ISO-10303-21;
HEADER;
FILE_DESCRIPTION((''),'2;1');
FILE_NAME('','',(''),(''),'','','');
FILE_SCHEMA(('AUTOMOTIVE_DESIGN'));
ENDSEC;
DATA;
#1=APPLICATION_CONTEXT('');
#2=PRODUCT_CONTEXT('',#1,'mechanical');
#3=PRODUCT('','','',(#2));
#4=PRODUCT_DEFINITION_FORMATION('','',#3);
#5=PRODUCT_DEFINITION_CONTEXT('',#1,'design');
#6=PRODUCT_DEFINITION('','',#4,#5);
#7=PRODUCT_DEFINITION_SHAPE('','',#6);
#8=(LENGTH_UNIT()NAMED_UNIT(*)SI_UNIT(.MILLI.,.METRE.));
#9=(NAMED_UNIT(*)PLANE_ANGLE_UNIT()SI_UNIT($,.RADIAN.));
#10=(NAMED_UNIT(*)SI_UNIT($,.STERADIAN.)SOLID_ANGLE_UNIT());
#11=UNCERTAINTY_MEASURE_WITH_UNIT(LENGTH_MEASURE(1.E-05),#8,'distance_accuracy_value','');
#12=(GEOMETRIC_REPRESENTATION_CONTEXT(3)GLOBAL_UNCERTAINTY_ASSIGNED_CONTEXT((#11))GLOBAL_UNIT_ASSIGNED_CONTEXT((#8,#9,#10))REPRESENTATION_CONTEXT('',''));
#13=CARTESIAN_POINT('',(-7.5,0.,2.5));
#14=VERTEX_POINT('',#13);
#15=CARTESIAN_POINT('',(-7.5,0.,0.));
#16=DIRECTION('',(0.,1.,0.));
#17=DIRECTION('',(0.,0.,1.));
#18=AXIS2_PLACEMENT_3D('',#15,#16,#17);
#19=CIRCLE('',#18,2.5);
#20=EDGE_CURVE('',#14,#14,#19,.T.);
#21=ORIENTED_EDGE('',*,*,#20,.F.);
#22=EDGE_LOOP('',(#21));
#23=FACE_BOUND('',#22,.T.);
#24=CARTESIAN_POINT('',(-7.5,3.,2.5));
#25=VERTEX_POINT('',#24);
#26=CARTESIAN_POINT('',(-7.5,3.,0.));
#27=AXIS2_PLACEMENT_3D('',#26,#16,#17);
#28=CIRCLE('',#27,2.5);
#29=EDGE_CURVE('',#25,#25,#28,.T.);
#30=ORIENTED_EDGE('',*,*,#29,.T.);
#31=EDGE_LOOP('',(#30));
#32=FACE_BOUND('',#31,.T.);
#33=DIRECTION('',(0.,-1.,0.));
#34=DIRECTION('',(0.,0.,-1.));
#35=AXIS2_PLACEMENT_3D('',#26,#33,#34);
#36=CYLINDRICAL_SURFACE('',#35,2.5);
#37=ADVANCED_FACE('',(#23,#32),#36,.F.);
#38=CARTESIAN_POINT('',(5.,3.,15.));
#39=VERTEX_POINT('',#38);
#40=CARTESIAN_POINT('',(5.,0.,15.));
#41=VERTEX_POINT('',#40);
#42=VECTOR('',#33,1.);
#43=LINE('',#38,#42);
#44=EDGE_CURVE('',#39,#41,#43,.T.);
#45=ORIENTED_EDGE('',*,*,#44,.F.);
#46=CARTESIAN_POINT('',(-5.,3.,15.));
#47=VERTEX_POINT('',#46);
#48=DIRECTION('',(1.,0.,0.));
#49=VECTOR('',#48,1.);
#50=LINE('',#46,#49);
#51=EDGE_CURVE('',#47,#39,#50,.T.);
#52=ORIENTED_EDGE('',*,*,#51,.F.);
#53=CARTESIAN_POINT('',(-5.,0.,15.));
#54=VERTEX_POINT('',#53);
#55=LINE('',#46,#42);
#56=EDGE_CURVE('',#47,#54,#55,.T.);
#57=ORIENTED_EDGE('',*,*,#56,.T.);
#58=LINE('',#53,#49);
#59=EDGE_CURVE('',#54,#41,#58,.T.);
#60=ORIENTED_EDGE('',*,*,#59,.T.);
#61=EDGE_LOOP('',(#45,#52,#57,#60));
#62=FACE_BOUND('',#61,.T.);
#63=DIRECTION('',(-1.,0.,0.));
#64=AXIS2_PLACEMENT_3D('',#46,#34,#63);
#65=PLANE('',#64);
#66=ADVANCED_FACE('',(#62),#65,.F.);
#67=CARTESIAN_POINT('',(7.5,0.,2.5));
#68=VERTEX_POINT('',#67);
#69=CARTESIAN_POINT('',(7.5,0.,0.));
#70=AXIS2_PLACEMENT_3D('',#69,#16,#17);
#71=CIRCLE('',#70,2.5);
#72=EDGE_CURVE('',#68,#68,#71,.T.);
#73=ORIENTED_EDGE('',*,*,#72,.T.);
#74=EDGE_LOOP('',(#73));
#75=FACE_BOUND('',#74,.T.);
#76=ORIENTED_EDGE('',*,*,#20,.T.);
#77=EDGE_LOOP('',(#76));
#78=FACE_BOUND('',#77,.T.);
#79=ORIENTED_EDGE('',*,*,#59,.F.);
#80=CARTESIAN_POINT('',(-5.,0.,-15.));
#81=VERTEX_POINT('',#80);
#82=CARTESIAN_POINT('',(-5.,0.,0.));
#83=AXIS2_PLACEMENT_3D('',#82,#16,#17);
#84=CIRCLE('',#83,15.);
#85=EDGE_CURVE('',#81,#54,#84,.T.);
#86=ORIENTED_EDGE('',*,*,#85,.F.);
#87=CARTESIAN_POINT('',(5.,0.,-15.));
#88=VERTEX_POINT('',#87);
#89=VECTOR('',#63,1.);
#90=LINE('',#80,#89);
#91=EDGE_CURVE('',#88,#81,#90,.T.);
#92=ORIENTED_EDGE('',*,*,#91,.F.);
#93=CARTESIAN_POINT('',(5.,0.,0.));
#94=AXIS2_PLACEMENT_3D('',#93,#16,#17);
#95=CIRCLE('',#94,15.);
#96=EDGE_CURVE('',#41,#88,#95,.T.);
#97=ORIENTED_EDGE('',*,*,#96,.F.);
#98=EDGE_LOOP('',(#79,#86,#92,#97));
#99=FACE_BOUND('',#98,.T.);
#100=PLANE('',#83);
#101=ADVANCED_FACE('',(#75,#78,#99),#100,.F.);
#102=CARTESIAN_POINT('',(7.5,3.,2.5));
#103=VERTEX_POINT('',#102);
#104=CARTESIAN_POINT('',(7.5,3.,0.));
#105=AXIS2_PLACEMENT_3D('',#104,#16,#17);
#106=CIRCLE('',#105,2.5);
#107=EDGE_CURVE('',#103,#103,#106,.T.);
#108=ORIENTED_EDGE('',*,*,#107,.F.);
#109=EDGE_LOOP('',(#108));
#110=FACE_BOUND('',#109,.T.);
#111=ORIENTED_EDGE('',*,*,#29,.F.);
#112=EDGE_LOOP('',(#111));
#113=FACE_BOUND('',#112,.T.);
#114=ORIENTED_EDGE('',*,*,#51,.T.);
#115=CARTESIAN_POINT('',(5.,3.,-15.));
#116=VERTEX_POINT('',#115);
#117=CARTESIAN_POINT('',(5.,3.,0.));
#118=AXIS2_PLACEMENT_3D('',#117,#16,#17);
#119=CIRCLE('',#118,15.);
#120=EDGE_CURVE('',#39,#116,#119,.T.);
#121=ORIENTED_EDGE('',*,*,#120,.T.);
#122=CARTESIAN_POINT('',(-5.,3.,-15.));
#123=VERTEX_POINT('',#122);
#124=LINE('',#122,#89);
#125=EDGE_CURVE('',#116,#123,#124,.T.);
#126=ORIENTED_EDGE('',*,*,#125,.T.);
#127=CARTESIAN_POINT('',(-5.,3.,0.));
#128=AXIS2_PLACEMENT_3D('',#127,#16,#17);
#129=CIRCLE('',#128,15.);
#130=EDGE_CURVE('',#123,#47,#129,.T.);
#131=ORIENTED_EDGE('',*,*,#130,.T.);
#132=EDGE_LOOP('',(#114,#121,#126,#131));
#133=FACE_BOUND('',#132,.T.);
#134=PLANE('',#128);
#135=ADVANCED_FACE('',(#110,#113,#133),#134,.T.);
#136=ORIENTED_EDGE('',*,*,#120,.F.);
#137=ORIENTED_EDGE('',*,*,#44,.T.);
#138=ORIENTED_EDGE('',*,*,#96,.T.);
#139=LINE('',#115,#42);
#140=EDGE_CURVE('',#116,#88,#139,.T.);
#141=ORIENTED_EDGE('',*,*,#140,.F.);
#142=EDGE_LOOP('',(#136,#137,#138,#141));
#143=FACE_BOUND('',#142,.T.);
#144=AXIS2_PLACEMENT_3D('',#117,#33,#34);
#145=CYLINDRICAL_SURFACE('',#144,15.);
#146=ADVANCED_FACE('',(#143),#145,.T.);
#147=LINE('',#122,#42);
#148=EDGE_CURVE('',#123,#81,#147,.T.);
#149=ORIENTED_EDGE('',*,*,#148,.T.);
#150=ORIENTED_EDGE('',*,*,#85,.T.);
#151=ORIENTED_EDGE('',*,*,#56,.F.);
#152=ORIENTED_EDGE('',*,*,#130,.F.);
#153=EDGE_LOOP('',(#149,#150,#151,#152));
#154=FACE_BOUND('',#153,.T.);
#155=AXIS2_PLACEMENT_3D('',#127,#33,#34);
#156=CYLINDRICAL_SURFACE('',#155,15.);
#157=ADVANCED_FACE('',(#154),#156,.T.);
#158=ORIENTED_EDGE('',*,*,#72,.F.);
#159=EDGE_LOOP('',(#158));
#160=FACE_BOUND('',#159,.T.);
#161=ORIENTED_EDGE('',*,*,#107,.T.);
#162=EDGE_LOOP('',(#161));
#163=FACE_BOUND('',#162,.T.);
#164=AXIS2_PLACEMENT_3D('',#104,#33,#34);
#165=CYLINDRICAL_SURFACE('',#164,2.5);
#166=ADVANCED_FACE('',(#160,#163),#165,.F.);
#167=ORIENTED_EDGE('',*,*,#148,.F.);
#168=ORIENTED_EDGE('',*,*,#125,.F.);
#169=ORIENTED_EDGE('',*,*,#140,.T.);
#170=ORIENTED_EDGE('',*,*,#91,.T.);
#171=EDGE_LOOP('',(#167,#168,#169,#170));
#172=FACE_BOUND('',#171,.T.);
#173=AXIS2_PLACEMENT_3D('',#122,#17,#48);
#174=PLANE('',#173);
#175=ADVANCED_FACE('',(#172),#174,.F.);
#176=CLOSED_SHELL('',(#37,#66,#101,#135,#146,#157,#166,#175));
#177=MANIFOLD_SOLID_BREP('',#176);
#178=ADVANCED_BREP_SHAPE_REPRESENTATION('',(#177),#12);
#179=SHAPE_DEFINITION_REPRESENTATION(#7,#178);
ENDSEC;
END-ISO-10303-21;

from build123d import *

# Parameters (mm, degrees)
ESQUISSE2_R        = 2.5
BOSS_EXTRU_1_DEPTH = 3


with BuildPart() as part:
    # Esquisse2 → Boss.-Extru.1 (new body)
    with BuildSketch(Plane(origin=(0, 0, 0), x_dir=(1, 0, 0), z_dir=(0, 1, 0))):
        with BuildLine():
            Line((-5, 15), (5, 15))
            ThreePointArc((5, 15), (20, 0), (5, -15))
            Line((5, -15), (-5, -15))
            ThreePointArc((-5, -15), (-20, 0), (-5, 15))
        make_face()
        with Locations((-7.5, 0)):
            Circle(ESQUISSE2_R, mode=Mode.SUBTRACT)
        with Locations((7.5, 0)):
            Circle(ESQUISSE2_R, mode=Mode.SUBTRACT)
    extrude(amount=BOSS_EXTRU_1_DEPTH)


solid = part.part
